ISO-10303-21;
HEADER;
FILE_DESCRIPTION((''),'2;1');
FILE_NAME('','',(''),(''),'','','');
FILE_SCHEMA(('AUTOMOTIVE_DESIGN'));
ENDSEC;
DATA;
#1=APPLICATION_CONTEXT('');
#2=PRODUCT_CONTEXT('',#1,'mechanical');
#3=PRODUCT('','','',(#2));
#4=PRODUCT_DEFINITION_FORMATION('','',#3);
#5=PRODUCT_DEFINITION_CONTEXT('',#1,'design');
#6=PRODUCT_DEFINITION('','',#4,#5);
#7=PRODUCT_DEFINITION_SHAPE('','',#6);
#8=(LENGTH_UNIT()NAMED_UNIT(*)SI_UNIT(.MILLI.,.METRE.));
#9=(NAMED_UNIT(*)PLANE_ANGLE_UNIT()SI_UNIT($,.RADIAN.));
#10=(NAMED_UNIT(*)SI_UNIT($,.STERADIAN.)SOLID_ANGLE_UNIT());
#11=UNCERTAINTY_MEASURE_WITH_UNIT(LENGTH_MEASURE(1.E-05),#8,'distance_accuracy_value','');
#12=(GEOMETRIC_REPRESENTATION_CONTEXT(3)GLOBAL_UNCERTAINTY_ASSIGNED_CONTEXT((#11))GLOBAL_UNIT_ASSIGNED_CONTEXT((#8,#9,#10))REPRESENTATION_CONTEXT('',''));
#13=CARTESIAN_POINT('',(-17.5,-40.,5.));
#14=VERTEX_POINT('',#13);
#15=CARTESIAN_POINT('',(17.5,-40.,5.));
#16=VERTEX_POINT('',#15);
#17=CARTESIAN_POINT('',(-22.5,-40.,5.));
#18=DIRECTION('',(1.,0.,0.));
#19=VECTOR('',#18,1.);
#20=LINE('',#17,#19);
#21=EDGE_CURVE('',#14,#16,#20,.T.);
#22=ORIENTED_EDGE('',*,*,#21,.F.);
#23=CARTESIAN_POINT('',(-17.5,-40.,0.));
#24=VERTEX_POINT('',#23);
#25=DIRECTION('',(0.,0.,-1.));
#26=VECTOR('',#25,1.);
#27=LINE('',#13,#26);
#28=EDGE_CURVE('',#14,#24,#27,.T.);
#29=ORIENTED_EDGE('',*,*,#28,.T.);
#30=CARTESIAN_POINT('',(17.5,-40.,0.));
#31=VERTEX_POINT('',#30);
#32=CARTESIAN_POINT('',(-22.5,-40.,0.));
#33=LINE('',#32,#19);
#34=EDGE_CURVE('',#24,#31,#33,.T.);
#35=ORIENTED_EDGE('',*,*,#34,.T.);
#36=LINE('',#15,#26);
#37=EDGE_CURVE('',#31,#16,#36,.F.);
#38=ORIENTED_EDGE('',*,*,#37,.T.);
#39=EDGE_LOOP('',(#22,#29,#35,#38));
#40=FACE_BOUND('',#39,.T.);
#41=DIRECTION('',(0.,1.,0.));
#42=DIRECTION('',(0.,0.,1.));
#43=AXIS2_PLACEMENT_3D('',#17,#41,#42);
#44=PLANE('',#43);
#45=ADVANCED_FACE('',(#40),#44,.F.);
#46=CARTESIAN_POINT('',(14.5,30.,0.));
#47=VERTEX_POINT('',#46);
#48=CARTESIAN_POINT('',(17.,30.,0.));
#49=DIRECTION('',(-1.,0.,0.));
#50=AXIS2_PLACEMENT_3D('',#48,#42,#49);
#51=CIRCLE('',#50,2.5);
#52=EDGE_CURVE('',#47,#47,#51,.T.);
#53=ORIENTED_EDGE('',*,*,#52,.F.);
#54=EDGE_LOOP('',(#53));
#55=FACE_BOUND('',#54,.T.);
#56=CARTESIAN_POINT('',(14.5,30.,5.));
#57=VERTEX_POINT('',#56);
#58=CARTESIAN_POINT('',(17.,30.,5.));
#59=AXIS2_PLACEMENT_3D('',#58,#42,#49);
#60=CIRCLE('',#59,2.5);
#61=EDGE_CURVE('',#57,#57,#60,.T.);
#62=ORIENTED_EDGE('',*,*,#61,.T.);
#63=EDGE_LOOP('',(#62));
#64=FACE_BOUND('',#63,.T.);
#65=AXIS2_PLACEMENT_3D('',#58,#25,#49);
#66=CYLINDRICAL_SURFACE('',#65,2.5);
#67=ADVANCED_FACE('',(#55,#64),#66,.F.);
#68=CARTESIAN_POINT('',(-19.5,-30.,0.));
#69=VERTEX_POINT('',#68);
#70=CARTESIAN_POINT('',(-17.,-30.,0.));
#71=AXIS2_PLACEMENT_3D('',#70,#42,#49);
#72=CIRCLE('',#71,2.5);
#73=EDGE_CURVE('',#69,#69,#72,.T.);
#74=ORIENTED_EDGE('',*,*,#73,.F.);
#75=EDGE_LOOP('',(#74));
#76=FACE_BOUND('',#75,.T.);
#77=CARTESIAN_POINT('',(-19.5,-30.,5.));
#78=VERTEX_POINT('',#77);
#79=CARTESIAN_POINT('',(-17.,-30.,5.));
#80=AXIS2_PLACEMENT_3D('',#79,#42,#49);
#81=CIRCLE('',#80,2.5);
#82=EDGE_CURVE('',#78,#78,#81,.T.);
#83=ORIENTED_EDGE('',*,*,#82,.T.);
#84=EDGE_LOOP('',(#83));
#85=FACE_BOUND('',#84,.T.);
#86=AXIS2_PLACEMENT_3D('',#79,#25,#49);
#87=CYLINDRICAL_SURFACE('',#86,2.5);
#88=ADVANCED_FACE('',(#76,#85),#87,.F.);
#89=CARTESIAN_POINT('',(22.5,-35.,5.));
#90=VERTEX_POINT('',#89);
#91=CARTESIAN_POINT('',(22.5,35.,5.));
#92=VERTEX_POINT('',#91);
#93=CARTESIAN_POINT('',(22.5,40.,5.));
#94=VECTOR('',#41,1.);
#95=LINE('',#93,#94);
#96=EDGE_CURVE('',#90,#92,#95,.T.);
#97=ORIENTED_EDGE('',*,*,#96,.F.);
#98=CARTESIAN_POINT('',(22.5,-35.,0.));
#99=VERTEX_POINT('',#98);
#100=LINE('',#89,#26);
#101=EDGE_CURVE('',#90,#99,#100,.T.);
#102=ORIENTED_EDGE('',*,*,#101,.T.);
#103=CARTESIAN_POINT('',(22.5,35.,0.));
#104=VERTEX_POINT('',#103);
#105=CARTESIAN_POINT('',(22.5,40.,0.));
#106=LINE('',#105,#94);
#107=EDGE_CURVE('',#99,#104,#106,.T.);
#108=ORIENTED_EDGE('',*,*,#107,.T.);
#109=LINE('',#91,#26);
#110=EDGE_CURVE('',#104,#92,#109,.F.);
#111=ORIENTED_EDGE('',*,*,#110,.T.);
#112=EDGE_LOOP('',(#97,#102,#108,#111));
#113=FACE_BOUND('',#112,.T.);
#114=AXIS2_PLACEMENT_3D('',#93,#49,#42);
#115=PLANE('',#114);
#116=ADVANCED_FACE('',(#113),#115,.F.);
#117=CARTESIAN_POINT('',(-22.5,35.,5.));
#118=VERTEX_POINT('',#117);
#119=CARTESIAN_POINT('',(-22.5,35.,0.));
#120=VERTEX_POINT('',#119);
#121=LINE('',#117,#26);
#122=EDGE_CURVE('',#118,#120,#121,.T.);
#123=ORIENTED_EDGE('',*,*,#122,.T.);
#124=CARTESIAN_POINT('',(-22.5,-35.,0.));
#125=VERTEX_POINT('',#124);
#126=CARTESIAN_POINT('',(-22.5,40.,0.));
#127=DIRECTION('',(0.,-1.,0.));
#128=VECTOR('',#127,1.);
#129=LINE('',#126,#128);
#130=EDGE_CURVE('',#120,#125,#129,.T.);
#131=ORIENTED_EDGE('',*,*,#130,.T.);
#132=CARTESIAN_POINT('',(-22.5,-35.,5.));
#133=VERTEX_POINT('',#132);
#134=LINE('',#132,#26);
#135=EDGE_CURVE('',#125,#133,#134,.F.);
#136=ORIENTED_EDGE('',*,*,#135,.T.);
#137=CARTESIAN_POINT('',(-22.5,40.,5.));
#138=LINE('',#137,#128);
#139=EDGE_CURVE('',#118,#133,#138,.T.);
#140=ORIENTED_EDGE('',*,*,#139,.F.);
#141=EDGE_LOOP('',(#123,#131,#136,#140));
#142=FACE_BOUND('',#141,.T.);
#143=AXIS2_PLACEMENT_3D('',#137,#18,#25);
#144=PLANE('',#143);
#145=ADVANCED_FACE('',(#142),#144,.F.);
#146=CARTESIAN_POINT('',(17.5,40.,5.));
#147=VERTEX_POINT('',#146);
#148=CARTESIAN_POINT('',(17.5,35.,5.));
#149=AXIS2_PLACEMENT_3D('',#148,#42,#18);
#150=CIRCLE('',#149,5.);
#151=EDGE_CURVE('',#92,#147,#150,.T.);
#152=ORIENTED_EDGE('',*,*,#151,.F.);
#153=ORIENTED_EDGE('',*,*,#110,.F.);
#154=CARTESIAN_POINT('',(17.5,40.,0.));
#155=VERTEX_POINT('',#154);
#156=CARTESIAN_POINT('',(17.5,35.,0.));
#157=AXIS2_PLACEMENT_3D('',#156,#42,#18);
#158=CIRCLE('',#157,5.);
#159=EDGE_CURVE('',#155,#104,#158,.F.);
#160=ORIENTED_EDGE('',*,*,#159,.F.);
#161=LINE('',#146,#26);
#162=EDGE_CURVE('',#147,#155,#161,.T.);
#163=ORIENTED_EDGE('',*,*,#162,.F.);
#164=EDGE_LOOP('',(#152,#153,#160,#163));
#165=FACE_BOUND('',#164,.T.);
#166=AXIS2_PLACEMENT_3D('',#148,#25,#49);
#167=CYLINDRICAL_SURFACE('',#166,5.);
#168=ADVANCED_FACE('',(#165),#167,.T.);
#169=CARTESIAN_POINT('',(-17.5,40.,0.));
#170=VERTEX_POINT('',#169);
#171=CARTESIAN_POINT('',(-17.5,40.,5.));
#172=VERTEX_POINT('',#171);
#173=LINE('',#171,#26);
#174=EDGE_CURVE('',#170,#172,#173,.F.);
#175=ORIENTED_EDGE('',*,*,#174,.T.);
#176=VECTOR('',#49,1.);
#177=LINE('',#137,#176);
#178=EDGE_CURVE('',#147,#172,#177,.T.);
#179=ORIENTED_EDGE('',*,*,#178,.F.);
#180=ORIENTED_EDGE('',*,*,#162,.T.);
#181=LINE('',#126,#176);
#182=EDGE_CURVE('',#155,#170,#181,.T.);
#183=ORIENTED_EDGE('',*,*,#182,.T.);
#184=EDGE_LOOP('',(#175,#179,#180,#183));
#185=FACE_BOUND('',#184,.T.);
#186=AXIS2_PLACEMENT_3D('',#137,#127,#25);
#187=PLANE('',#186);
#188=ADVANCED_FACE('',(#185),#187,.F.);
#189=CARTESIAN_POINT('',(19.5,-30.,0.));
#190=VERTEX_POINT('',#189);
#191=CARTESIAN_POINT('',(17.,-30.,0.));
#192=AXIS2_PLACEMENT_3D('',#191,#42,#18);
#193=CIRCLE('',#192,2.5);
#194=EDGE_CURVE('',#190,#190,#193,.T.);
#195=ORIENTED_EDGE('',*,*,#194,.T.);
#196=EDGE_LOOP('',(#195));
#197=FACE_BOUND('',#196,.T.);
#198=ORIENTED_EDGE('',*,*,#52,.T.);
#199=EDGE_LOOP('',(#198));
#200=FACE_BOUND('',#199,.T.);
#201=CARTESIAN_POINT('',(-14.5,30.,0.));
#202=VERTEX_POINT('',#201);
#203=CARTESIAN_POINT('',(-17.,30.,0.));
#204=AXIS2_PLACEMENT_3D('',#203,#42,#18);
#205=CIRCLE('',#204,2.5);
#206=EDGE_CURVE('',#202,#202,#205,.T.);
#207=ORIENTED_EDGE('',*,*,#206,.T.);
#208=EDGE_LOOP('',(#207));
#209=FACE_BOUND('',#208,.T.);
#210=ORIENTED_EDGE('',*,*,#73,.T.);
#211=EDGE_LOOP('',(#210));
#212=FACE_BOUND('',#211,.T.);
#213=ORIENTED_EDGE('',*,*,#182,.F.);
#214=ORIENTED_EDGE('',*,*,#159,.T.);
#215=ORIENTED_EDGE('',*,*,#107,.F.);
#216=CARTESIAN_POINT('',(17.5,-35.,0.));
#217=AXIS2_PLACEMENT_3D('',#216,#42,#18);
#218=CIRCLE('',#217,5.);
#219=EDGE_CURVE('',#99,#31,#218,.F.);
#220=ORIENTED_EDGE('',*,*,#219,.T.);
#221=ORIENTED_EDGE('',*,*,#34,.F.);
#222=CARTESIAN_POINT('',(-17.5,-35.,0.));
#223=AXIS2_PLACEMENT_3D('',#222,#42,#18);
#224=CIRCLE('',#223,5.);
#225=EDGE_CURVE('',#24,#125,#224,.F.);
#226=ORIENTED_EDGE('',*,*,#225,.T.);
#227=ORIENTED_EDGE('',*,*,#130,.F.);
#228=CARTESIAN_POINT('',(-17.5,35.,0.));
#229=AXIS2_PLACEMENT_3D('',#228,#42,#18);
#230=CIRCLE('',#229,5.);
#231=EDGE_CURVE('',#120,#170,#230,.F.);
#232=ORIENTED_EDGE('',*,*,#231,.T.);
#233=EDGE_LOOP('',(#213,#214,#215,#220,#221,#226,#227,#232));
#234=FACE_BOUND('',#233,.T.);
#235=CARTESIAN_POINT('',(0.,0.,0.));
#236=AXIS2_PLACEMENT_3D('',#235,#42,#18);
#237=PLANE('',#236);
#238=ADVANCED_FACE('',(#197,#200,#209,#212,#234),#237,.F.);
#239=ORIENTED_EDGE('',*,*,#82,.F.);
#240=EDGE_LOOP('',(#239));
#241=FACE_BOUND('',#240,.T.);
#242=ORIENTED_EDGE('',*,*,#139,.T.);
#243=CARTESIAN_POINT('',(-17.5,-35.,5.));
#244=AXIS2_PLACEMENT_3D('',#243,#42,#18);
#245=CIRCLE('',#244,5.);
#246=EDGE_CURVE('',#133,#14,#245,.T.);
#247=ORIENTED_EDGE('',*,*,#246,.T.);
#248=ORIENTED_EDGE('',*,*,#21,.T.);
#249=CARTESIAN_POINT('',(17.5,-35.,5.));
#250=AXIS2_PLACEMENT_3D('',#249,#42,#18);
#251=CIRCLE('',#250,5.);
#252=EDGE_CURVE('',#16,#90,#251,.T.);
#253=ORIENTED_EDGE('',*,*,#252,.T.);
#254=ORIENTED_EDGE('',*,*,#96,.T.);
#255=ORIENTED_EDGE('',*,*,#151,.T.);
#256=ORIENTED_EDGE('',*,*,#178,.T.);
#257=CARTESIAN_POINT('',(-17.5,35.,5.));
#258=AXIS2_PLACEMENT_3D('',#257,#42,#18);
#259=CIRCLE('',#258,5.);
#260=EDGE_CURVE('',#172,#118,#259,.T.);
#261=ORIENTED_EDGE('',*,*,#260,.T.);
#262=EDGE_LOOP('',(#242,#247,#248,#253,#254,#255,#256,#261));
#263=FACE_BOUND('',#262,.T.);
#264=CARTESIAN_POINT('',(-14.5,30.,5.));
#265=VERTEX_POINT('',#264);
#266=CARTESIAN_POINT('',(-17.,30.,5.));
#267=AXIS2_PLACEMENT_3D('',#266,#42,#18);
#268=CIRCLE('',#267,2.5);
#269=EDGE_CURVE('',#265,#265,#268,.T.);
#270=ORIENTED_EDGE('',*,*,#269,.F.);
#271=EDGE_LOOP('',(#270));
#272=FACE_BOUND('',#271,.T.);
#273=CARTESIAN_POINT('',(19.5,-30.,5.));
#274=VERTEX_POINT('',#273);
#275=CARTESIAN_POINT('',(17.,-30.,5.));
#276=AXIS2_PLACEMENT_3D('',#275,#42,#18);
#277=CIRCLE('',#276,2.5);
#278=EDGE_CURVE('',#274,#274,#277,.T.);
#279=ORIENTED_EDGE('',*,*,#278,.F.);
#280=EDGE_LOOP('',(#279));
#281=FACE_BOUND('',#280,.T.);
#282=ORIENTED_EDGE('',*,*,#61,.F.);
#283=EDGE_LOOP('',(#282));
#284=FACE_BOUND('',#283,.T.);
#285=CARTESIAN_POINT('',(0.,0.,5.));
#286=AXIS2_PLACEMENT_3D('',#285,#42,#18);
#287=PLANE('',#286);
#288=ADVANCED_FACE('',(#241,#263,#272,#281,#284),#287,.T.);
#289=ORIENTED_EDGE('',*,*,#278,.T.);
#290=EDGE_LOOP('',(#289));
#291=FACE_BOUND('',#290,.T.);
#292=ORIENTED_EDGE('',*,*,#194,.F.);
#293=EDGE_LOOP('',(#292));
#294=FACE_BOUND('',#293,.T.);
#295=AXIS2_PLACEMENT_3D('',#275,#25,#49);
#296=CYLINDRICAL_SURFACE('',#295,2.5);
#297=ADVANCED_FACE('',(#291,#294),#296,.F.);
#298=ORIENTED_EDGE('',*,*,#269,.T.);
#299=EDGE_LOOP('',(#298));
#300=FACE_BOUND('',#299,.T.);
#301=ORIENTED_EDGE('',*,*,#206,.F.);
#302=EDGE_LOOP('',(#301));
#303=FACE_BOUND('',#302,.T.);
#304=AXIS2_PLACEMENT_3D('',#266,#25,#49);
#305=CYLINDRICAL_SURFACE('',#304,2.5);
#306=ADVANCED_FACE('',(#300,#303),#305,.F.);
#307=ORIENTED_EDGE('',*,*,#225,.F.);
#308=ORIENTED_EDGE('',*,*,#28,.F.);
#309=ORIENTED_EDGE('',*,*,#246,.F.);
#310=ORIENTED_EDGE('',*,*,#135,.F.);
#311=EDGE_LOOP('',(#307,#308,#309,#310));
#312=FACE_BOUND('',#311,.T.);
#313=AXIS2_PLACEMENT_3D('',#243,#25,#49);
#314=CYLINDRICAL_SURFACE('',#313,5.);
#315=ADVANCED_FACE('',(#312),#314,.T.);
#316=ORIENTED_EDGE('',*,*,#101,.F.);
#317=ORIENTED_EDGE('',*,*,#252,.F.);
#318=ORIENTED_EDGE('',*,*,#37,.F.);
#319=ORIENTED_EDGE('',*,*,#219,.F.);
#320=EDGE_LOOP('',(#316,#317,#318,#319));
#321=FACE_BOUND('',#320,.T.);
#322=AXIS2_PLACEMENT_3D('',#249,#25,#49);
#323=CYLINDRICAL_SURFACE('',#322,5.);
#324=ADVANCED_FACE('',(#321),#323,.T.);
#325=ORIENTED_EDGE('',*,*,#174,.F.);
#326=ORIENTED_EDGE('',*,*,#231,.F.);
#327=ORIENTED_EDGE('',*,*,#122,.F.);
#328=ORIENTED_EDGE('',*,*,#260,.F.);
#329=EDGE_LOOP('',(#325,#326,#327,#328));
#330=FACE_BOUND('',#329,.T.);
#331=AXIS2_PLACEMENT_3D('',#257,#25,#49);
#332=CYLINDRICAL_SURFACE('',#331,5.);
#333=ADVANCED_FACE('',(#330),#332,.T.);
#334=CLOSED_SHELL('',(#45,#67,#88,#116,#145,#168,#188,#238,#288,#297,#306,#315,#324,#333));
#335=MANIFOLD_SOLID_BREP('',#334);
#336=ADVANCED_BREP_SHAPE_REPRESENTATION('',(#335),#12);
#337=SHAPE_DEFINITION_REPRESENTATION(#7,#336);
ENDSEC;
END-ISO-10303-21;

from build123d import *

# Parameters (mm, degrees)
ESQUISSE1_W        = 45
ESQUISSE1_H        = 80
ESQUISSE1_R        = 2.5
BOSS_EXTRU_1_DEPTH = 5
CONG_1_R           = 5


with BuildPart() as part:
    # Esquisse1 → Boss.-Extru.1 (new body)
    with BuildSketch(Plane.XY):
        Rectangle(ESQUISSE1_W, ESQUISSE1_H)
        with Locations((-17, 30)):
            Circle(ESQUISSE1_R, mode=Mode.SUBTRACT)
        with Locations(Location((-17, -30, 0), (0, 0, 180))):
            Circle(ESQUISSE1_R, mode=Mode.SUBTRACT)
        with Locations((17, -30)):
            Circle(ESQUISSE1_R, mode=Mode.SUBTRACT)
        with Locations(Location((17, 30, 0), (0, 0, 180))):
            Circle(ESQUISSE1_R, mode=Mode.SUBTRACT)
    extrude(amount=BOSS_EXTRU_1_DEPTH)

    # Congé1
    cong_1_edges = [part.edges().sort_by_distance(p)[0] for p in [
        (22.5, -40, 2.5),
        (-22.5, -40, 2.5),
        (-22.5, 40, 2.5),
        (22.5, 40, 2.5),
    ]]
    fillet(cong_1_edges, radius=CONG_1_R)


solid = part.part
